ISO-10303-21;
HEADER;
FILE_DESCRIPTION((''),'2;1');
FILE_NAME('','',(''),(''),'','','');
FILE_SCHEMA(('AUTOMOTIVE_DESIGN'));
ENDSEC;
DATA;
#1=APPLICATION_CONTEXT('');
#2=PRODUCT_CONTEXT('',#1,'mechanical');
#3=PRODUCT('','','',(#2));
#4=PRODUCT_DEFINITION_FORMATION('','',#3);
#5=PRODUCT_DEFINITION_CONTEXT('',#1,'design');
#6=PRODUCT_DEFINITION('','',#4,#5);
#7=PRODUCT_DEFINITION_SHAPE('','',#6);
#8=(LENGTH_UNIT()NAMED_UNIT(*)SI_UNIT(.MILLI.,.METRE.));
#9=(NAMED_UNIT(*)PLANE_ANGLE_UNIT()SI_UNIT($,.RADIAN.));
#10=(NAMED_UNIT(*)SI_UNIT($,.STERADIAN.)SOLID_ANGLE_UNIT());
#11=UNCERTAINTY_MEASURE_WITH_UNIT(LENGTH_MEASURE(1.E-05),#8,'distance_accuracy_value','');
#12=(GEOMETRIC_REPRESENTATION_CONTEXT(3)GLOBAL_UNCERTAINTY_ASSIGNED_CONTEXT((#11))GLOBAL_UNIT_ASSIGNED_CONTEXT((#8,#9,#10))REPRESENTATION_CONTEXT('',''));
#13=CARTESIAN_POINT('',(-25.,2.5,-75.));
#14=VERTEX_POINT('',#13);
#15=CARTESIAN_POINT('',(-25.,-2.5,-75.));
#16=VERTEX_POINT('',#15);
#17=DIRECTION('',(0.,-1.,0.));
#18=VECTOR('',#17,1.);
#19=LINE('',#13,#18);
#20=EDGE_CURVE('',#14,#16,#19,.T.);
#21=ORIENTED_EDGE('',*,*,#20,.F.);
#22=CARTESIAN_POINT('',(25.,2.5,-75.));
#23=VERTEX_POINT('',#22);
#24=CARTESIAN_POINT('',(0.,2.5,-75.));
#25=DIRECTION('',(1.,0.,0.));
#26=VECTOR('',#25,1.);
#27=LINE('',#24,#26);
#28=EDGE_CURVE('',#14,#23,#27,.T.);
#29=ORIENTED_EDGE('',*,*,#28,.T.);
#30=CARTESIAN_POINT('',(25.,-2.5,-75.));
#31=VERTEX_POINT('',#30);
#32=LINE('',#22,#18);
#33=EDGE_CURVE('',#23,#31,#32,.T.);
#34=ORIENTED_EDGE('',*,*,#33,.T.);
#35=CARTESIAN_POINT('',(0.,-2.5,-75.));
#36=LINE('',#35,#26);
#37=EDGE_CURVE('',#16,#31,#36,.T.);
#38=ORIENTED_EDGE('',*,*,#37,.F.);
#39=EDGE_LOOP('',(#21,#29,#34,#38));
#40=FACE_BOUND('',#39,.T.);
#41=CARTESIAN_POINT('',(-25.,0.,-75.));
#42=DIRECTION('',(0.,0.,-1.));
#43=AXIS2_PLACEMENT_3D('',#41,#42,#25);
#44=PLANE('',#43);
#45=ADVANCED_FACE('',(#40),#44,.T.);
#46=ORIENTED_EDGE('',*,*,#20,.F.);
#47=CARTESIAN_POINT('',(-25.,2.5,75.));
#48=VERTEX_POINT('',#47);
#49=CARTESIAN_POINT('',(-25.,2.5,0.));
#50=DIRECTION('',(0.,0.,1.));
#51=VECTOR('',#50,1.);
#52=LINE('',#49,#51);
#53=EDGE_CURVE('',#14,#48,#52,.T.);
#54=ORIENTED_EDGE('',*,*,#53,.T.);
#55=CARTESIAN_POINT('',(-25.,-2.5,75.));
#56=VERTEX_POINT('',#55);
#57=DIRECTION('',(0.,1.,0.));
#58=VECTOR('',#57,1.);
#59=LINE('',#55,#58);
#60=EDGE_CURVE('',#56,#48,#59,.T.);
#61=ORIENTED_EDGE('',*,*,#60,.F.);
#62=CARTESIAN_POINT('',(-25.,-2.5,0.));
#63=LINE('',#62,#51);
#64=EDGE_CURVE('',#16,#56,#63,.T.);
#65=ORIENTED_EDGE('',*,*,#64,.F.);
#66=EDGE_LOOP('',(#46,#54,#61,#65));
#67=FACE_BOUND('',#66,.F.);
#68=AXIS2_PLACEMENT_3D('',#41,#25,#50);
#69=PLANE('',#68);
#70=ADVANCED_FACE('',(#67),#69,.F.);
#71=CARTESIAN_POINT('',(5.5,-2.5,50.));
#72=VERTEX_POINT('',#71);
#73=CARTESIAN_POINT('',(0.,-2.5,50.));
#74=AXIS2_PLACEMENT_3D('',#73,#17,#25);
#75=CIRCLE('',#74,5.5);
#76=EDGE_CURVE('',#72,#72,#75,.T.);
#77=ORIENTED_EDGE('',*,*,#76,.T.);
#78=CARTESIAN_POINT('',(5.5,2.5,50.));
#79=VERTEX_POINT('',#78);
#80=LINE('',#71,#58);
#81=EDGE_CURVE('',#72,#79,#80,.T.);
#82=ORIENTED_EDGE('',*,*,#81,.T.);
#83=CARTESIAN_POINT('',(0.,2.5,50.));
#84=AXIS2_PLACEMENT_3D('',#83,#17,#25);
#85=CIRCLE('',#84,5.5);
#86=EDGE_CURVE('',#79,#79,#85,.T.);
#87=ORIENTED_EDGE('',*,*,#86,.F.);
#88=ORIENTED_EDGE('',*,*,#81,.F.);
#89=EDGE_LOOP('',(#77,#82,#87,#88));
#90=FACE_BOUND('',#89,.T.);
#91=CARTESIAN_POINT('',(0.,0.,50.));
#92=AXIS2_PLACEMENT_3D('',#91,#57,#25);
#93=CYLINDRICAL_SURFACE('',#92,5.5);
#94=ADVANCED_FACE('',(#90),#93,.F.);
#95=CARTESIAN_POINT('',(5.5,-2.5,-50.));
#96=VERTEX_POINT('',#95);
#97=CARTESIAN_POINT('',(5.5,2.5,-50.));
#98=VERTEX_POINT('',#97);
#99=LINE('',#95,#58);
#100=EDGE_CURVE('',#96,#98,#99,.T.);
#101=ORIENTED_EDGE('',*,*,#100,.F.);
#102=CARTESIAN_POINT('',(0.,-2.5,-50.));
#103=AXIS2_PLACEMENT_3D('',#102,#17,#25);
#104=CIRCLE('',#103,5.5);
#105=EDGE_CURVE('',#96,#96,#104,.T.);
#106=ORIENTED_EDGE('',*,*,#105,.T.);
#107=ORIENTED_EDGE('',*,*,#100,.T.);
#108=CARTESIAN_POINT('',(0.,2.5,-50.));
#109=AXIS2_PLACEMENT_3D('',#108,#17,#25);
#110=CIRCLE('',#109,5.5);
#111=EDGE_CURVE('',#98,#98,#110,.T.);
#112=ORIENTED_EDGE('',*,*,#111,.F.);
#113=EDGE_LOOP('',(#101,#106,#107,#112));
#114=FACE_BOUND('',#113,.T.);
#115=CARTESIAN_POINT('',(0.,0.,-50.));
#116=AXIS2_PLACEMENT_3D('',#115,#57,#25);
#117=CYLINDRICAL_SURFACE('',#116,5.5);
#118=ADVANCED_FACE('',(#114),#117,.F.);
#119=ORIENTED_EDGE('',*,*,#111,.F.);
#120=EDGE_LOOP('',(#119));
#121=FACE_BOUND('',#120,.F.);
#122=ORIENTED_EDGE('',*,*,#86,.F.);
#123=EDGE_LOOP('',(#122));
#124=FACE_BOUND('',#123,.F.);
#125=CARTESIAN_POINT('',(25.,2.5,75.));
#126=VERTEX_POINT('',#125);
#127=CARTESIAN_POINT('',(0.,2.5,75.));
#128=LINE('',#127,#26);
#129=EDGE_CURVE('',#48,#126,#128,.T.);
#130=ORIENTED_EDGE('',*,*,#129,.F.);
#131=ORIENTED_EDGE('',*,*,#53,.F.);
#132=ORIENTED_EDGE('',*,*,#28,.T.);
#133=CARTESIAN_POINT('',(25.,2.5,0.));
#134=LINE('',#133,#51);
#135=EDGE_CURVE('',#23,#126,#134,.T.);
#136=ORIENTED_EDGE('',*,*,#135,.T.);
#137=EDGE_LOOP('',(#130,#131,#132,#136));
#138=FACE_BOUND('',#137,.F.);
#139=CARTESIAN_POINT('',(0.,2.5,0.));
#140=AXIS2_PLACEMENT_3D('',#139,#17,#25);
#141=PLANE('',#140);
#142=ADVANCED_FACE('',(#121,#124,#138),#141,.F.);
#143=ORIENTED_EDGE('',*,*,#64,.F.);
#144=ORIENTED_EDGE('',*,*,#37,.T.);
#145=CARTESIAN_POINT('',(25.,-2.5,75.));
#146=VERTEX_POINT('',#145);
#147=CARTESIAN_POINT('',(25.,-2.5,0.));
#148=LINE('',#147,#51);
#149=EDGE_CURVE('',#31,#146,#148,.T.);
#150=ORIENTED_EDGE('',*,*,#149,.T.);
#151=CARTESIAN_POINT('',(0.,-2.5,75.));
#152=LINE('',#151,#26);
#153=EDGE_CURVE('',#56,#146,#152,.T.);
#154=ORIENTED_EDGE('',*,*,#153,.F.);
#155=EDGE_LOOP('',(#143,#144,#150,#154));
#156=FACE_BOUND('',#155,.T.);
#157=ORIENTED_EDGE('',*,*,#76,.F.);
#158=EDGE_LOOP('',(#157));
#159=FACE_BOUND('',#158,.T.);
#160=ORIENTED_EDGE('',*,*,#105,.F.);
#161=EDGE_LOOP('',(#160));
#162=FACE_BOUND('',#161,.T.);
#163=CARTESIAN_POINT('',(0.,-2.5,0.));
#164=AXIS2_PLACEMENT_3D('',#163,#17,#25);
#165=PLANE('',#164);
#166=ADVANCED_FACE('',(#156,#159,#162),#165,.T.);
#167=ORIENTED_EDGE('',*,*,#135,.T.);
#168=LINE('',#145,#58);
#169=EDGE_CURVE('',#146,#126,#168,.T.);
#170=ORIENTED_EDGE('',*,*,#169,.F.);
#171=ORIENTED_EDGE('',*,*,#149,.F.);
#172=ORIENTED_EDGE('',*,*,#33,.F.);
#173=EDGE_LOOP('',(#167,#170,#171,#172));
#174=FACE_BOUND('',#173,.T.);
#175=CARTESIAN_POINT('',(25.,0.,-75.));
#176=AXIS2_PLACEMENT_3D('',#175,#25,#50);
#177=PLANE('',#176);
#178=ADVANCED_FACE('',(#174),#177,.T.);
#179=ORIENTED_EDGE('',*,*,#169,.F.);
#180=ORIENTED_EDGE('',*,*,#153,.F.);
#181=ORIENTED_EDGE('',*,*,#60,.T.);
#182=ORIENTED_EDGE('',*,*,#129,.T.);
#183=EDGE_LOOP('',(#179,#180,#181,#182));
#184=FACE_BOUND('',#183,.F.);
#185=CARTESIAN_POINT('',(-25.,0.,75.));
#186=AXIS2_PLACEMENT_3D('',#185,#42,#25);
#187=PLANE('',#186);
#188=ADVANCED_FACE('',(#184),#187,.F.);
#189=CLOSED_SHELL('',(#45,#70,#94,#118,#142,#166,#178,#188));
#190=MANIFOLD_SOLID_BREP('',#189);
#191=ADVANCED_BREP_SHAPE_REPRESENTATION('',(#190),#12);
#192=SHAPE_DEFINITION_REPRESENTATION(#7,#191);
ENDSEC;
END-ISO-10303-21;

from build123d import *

# Parameters (mm, degrees)
F0_W     = 50
F0_H     = 150
F0_R     = 5.5
F1_DEPTH = 2.5


with BuildPart() as f1:
    # F0 (on Front) → F1 (new body, symmetric)
    with BuildSketch(Plane.XZ):
        Rectangle(F0_W, F0_H)
        with Locations((0, -50)):
            Circle(F0_R, mode=Mode.SUBTRACT)
        with Locations((0, 50)):
            Circle(F0_R, mode=Mode.SUBTRACT)
    extrude(amount=F1_DEPTH, both=True)


solid = f1.part
